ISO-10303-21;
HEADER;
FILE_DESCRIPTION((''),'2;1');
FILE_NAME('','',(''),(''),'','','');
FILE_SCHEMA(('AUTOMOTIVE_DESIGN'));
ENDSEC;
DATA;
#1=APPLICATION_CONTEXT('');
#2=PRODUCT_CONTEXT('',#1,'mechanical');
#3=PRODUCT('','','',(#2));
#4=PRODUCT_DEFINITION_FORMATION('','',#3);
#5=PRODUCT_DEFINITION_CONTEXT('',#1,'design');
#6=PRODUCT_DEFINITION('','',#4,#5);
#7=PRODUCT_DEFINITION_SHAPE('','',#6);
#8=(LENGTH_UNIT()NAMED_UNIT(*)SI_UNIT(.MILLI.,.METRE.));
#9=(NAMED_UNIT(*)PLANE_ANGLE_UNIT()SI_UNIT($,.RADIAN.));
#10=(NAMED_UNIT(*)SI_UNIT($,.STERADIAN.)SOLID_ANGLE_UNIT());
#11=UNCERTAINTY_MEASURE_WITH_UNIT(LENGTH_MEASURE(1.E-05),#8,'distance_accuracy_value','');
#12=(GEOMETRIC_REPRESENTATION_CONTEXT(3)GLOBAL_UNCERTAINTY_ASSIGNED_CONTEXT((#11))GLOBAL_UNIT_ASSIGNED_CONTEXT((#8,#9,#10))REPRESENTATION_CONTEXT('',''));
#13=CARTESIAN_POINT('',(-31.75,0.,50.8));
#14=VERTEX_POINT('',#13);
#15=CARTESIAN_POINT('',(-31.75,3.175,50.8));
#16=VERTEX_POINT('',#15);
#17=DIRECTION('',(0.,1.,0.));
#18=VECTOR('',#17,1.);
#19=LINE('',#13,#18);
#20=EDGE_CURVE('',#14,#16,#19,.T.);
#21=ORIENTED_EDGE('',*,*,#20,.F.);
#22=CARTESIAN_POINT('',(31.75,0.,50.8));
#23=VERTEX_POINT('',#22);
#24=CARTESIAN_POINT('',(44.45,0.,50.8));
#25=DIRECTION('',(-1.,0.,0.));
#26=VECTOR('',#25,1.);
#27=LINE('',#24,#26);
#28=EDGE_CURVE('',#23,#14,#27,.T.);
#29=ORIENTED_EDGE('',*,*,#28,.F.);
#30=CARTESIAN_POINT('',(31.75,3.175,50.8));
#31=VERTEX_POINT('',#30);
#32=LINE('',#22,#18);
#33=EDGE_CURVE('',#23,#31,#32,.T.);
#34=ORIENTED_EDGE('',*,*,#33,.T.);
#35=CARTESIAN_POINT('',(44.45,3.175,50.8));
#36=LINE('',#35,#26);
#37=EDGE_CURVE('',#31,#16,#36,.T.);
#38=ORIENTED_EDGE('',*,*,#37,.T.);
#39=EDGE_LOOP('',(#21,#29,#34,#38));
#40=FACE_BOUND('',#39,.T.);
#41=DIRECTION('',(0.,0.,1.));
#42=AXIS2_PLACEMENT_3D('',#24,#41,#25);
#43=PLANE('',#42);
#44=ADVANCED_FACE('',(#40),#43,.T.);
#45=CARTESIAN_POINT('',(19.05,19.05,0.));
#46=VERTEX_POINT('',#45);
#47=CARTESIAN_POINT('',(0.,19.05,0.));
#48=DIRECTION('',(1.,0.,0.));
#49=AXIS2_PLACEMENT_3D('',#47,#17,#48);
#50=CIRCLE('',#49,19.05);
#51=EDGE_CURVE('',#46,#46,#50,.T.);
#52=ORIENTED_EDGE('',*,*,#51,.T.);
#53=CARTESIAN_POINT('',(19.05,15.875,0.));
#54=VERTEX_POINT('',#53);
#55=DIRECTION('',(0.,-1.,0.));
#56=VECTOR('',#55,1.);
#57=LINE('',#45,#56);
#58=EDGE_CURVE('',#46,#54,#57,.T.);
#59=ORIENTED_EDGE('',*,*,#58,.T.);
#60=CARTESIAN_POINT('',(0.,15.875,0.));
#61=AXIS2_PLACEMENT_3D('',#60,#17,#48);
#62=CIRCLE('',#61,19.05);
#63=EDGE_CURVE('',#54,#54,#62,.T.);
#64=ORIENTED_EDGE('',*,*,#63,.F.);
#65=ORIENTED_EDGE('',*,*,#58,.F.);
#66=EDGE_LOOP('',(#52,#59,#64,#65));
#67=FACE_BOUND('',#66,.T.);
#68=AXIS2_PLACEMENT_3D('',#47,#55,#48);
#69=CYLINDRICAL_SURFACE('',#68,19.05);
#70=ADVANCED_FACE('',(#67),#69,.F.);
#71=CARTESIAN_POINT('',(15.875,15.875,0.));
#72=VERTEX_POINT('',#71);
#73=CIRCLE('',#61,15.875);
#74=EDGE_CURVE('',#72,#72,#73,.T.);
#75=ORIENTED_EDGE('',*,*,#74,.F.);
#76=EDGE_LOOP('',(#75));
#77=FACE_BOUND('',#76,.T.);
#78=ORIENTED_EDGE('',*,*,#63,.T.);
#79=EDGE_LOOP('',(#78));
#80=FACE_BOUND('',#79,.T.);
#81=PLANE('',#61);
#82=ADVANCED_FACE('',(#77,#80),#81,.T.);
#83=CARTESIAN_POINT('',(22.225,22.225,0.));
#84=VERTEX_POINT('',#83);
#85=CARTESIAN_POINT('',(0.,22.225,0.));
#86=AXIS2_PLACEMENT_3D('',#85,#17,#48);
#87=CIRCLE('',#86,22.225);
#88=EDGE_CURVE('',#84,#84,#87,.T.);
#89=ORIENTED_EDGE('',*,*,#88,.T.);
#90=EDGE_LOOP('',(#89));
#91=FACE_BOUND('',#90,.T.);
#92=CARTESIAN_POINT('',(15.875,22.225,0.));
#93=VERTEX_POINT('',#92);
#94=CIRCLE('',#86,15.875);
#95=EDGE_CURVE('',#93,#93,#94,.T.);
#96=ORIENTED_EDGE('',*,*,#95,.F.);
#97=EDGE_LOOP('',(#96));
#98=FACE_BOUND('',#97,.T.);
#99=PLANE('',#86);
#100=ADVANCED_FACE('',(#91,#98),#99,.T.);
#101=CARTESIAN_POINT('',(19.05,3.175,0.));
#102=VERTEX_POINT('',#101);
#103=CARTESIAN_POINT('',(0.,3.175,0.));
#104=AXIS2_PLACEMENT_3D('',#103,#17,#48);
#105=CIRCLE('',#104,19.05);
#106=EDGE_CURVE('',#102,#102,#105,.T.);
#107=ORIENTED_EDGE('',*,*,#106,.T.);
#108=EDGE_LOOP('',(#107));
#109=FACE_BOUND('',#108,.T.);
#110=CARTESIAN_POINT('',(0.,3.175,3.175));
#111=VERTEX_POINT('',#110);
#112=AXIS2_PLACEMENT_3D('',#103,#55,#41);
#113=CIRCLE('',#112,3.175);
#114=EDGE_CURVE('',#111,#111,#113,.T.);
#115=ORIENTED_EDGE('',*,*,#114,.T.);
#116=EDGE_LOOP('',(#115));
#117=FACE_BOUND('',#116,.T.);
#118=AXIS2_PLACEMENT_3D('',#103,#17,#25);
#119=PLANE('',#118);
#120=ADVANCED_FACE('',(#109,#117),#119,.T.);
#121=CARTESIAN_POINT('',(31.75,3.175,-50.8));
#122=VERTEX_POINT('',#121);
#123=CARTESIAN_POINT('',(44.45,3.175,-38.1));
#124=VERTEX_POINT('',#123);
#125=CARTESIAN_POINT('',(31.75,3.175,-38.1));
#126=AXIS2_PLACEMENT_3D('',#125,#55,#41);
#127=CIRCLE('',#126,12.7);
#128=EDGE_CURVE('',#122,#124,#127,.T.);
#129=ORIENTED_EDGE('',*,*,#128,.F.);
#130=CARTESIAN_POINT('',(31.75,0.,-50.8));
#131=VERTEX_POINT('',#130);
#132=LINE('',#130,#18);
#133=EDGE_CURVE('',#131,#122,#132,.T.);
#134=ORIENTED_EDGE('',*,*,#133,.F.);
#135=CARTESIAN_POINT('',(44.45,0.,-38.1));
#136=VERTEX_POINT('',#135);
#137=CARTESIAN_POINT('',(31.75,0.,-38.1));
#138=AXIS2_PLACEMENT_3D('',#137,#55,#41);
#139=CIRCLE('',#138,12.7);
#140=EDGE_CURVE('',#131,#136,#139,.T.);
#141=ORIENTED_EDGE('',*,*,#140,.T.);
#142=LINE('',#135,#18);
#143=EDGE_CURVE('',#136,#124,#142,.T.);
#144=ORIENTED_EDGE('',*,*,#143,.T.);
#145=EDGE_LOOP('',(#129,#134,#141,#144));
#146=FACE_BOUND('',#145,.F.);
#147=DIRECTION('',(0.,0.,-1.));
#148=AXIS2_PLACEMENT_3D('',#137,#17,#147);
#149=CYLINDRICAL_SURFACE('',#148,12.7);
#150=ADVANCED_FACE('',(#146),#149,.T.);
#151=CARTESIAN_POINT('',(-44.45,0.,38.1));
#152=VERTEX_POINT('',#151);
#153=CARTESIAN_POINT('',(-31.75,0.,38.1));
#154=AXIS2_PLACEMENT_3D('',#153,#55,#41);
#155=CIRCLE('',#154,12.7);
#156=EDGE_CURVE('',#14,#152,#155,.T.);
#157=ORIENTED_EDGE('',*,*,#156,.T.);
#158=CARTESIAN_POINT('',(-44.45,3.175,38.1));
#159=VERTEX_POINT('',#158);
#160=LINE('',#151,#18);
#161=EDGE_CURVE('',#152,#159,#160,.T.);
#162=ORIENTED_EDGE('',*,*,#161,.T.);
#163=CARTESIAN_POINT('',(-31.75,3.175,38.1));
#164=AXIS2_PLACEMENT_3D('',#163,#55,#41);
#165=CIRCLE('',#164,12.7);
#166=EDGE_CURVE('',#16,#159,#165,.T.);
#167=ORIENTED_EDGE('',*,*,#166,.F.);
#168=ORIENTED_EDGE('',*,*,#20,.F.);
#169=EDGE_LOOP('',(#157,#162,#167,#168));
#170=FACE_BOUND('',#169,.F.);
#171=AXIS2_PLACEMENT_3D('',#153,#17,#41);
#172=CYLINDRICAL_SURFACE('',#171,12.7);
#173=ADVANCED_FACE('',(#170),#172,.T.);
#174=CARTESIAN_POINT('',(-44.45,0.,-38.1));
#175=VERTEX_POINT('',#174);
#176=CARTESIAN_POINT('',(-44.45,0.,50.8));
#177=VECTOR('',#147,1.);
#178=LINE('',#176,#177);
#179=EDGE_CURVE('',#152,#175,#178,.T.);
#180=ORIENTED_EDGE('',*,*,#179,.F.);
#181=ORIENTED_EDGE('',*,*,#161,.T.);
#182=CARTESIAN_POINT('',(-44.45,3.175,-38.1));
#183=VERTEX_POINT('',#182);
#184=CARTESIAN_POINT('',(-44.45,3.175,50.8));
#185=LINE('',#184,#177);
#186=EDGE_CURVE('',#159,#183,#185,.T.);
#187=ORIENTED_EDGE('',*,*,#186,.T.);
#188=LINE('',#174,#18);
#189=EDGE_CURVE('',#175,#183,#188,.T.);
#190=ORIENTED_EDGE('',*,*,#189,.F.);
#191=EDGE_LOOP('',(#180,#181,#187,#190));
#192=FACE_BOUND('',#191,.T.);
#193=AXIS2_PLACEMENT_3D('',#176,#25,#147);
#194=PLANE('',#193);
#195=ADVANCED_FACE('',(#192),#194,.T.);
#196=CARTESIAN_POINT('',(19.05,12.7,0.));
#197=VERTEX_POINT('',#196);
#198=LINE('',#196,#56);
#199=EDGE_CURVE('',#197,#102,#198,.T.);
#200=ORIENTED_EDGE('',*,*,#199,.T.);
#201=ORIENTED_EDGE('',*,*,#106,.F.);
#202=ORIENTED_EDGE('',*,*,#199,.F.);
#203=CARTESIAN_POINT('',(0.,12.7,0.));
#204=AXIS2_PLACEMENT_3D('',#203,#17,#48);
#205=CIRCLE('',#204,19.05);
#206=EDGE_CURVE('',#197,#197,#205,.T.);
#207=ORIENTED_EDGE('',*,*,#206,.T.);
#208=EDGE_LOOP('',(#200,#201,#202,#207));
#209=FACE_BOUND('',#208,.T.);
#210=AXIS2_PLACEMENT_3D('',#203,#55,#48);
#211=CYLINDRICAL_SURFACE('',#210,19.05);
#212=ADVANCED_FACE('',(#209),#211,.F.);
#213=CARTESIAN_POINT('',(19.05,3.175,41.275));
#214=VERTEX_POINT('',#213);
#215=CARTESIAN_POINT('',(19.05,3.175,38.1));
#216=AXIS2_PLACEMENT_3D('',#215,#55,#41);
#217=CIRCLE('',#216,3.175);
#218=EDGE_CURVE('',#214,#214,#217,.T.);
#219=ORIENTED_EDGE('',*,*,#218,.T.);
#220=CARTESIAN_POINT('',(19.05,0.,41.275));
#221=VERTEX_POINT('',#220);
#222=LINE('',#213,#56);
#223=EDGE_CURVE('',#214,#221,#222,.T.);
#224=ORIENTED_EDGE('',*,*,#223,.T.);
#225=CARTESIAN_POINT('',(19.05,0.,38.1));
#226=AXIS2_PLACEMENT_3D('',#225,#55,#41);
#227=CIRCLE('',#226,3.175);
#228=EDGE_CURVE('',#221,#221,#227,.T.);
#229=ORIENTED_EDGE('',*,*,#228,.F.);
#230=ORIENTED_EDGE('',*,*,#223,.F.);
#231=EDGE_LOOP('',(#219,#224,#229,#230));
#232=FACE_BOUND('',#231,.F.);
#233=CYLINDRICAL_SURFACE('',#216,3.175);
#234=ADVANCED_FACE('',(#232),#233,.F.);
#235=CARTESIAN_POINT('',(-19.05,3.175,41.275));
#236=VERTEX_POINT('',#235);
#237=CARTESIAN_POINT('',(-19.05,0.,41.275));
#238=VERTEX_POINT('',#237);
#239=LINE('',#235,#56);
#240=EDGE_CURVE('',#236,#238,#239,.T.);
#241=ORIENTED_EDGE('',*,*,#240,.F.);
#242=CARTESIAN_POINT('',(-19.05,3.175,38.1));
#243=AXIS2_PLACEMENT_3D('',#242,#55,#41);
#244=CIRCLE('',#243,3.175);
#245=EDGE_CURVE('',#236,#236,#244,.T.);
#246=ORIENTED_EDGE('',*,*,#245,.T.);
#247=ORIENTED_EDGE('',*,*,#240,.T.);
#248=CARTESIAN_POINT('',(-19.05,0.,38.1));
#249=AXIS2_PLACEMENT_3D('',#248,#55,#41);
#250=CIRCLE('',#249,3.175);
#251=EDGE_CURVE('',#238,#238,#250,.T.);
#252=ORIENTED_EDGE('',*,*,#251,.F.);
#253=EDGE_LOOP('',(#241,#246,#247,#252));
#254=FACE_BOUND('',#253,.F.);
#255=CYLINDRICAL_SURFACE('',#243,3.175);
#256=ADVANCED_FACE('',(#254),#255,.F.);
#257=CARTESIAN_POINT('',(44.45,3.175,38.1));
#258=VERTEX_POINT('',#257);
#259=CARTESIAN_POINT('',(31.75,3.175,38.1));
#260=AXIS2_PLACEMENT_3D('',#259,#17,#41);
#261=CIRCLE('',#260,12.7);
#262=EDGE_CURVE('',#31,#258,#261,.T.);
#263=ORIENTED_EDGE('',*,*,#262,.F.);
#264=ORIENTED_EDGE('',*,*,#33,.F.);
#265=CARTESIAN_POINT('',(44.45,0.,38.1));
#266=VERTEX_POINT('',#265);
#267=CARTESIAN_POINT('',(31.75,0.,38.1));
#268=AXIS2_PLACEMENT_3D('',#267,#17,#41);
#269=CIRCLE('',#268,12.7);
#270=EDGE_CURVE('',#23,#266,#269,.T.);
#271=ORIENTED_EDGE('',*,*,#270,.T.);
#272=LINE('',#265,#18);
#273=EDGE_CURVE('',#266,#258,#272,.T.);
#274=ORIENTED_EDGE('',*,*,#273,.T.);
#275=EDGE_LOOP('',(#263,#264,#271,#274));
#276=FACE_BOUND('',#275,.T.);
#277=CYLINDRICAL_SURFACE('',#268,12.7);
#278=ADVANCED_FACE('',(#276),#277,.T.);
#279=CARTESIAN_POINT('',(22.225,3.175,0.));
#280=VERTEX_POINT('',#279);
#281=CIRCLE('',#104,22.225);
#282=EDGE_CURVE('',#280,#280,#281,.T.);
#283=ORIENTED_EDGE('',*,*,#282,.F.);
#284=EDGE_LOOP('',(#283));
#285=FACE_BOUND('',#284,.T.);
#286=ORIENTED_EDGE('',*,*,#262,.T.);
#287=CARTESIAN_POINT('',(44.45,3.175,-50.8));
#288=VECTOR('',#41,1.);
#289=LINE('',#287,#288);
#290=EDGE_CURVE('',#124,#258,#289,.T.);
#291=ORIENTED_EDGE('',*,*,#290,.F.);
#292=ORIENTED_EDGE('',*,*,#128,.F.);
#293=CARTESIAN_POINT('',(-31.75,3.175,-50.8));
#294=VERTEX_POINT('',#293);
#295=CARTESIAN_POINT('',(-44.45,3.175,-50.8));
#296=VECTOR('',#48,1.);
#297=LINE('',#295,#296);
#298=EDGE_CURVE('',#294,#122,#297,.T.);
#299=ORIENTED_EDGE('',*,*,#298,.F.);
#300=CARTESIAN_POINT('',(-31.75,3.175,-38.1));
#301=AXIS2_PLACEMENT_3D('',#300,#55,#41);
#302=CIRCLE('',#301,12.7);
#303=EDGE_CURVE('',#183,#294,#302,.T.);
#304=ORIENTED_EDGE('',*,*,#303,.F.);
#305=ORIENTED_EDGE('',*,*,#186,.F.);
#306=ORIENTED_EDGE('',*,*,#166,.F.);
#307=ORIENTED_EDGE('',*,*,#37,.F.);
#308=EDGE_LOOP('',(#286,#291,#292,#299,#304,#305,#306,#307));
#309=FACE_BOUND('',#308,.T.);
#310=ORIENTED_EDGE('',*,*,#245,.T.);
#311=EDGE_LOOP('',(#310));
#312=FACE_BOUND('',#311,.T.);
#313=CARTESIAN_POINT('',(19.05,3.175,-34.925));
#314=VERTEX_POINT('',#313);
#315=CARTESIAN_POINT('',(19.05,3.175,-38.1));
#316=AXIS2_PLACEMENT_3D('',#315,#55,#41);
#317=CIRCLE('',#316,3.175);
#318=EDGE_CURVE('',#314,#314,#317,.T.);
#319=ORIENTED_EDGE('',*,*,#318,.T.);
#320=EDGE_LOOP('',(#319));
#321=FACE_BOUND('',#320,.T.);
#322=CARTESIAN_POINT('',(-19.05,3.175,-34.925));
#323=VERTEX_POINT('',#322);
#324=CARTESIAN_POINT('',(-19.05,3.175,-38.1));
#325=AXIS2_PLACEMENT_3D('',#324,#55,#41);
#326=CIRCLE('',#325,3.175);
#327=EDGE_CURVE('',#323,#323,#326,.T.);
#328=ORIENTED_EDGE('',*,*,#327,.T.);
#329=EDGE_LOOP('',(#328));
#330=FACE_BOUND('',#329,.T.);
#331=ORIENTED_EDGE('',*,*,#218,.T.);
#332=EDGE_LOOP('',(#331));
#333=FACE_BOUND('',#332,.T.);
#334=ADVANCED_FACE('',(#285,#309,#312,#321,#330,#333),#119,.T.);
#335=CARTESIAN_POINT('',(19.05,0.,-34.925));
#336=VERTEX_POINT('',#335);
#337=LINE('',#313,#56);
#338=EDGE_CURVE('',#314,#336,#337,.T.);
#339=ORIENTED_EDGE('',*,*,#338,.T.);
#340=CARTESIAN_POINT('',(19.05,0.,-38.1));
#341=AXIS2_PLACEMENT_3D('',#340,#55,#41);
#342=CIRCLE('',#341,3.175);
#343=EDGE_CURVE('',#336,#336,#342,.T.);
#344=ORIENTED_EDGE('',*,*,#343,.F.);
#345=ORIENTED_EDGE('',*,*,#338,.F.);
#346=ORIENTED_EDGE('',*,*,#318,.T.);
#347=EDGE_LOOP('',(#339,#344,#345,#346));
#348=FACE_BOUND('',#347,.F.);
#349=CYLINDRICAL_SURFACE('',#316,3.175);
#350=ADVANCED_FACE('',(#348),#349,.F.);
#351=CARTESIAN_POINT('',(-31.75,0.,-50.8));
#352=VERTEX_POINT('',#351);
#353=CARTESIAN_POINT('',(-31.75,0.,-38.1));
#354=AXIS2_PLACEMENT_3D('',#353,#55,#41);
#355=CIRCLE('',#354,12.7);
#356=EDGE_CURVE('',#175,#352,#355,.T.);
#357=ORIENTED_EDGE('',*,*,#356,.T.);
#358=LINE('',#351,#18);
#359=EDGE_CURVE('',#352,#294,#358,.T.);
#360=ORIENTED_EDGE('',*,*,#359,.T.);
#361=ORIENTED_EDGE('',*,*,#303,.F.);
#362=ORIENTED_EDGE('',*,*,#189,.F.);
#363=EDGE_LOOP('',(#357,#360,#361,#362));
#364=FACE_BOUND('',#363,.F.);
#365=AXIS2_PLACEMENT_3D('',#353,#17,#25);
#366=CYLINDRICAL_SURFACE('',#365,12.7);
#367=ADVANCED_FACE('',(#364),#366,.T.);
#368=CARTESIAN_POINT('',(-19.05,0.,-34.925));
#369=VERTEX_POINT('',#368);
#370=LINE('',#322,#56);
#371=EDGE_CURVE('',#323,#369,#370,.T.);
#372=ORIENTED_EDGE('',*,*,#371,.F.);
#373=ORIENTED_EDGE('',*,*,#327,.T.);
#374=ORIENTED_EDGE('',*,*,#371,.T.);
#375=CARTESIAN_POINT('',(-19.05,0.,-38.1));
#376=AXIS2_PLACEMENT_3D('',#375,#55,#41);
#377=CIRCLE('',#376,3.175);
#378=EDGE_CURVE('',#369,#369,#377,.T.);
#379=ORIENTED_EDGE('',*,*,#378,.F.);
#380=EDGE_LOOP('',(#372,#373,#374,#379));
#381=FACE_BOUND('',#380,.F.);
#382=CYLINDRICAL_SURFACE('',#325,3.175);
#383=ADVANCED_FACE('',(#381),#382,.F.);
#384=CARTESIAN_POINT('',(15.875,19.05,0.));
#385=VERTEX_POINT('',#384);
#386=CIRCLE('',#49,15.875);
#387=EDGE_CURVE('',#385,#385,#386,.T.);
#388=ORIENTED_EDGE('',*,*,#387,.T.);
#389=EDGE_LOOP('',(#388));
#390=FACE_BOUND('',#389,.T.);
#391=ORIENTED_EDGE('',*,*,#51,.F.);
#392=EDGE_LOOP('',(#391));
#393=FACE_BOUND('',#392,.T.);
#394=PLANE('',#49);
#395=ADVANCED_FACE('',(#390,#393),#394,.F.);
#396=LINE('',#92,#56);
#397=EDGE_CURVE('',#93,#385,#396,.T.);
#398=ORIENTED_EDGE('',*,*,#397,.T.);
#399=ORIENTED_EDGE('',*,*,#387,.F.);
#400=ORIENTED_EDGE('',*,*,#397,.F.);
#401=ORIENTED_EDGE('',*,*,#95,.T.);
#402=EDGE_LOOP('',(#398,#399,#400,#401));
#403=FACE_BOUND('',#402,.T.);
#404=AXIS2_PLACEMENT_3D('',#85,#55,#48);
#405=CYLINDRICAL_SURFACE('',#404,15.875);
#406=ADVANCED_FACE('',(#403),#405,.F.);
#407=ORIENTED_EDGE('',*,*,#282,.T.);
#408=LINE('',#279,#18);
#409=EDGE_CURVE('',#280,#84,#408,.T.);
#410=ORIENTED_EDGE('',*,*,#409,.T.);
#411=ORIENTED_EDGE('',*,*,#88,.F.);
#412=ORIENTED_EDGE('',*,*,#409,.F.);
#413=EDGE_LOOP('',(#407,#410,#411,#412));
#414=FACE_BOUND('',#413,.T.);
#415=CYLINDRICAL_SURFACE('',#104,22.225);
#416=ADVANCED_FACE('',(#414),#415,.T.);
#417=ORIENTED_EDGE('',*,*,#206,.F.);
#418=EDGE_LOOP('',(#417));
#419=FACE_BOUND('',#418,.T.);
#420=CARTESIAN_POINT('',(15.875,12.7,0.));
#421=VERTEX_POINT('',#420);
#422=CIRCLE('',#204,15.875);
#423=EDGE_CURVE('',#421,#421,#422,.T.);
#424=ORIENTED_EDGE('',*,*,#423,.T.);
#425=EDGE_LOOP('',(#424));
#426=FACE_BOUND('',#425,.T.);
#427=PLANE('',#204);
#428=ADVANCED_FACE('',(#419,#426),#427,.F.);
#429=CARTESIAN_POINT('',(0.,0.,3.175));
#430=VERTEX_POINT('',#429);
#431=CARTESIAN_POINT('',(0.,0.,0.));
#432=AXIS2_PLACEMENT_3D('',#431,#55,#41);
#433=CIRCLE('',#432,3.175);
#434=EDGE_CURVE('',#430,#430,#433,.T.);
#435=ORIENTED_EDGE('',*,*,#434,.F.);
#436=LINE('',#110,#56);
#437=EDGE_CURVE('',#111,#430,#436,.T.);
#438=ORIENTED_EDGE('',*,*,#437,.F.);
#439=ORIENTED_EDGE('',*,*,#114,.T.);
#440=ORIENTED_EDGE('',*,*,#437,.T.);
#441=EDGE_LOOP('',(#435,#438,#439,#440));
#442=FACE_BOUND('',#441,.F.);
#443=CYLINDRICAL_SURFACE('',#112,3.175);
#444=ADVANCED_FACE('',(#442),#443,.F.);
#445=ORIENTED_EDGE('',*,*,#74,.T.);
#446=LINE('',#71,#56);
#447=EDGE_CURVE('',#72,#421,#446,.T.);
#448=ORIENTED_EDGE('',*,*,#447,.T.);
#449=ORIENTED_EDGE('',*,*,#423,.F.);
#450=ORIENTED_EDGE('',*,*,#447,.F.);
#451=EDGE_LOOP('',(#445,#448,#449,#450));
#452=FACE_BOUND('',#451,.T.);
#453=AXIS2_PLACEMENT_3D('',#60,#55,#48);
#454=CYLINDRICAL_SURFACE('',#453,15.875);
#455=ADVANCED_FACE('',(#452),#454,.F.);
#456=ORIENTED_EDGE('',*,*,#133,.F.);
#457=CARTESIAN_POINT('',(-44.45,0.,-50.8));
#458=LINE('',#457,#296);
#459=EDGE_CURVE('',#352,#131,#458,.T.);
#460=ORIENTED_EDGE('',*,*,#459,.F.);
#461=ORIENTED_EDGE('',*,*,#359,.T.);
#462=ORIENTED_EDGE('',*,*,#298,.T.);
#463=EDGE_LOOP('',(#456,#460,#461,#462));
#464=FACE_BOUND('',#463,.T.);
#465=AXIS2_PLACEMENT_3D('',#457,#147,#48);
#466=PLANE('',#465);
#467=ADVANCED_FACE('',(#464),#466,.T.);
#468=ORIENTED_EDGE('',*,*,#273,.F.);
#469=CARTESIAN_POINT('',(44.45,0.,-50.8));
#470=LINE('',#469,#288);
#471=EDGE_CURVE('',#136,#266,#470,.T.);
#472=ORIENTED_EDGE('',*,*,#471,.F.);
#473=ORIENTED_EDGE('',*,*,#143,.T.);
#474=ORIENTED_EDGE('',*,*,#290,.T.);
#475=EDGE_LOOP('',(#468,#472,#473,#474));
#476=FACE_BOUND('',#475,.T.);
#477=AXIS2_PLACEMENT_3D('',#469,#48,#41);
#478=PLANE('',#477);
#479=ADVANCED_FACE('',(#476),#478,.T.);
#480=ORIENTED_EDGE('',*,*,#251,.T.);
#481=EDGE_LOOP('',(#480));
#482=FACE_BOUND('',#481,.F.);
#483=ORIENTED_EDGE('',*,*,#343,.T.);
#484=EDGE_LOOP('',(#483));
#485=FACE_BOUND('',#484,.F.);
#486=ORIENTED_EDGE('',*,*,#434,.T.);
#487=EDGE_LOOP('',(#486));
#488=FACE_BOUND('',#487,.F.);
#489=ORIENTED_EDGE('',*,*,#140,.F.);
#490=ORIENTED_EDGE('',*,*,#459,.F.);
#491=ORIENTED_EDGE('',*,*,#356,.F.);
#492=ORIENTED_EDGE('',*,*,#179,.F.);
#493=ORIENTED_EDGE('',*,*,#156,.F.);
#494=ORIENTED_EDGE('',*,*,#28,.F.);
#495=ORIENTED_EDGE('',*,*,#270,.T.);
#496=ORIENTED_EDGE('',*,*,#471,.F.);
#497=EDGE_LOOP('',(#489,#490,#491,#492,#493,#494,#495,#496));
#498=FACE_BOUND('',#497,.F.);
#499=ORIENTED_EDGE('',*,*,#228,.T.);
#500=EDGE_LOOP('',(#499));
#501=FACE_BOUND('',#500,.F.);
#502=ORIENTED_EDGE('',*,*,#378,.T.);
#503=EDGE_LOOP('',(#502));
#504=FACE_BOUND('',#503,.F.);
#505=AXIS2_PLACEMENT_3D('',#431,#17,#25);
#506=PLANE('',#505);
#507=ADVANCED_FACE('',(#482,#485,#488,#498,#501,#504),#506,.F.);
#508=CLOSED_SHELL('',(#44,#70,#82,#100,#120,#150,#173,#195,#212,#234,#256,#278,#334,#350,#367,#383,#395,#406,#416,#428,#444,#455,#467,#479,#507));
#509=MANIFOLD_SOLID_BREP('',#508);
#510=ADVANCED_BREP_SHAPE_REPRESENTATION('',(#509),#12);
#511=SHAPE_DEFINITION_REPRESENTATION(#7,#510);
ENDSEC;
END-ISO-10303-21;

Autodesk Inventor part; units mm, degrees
ref_plane "YZ Plane" through (0, 0, 0) normal (1, 0, 0) x (0, 1, 0)
ref_plane "XZ Plane" through (0, 0, 0) normal (0, 1, 0) x (-1, 0, 0)
ref_plane "XY Plane" through (0, 0, 0) normal (0, 0, 1) x (1, 0, 0)
sketch "Sketch2" plane through (0, 0, 0) normal (0, 1, 0) x (-1, 0, 0)
  line L0 (-44.45, 50.8) -> (44.45, 50.8)
  line L1 (44.45, 50.8) -> (44.45, -50.8)
  line L2 (44.45, -50.8) -> (-44.45, -50.8)
  line L3 (-44.45, -50.8) -> (-44.45, 50.8)
  point P0 (0, 0)
  dimension "d0" = 44.45
  dimension "d1" = 44.45
  dimension "d2" = 50.8
  dimension "d3" = 50.8
extrude "Extrusion1" add sketch "Sketch2" along normal blind 3.175
fillet "Fillet1" radius 12.7 4 edges at (44.45, 1.5875, 50.8) (-44.45, 1.5875, 50.8) (44.45, 1.5875, -50.8) (-44.45, 1.5875, -50.8)
sketch "Sketch3" plane through (0, 3.175, 0) normal (0, 1, 0) x (1, 0, 0)
  line L0 (-44.45, -38.1) -> (-44.45, 38.1) projected
  line L1 (31.75, -50.8) -> (-31.75, -50.8) projected
  line L2 (44.45, 38.1) -> (44.45, -38.1) projected
  line L3 (-31.75, 50.8) -> (31.75, 50.8) projected
  point P0 (0, 0)
  point P1 (0, 0)
  point P2 (-19.05, 38.1)
  point P3 (19.05, 38.1)
  point P4 (19.05, -38.1)
  point P5 (-19.05, -38.1)
  dimension "d7" = 12.7
  dimension "d8" = 25.4
  dimension "d9" = 25.4
  dimension "d10" = 12.7
hole "Hole1" at (0, 3.175, 0) at (-19.05, 3.175, -38.1) at (19.05, 3.175, -38.1) at (19.05, 3.175, 38.1) at (-19.05, 3.175, 38.1) direction (0, -1, 0) diameter 6.35 end through all
sketch "Sketch4" plane through (0, 0, 0) normal (0, 0, 1) x (1, 0, 0)
  line L0 (22.225, 3.175) -> (22.225, 22.225)
  line L1 (22.225, 22.225) -> (15.875, 22.225)
  line L2 (15.875, 22.225) -> (15.875, 19.05)
  line L3 (15.875, 19.05) -> (19.05, 19.05)
  line L4 (19.05, 19.05) -> (19.05, 15.875)
  line L5 (19.05, 15.875) -> (15.875, 15.875)
  line L6 (15.875, 15.875) -> (15.875, 12.7)
  line L7 (15.875, 12.7) -> (19.05, 12.7)
  line L8 (19.05, 12.7) -> (19.05, 3.175)
  line L9 (19.05, 3.175) -> (22.225, 3.175)
  line L10 (0, -4.445) -> (0, 26.67) projected
  point P0 (0, 0)
  dimension "d18" = 19.05
  dimension "d19" = 22.225
  dimension "d20" = 3.175
  dimension "d21" = 6.35
  dimension "d22" = 3.175
  dimension "d23" = 3.175
  dimension "d24" = 3.175
  dimension "d25" = 3.175
  dimension "d26" = 3.175
  dimension "d27" = 3.175
  dimension "d28" = 9.525
revolve "Revolution1" add sketch "Sketch4" angle 360 about axis through (0, -10, 0) along (0, 1, 0)
equation "\"d1\" = d0"
equation "\"d3\" = d2"
equation "\"d4\" = metalThickness"
equation "\"d9\" = d8"
equation "\"d10\" = d7"
equation "\"metalThickness\" = 3.175"
properties part number "Rotation Top"
